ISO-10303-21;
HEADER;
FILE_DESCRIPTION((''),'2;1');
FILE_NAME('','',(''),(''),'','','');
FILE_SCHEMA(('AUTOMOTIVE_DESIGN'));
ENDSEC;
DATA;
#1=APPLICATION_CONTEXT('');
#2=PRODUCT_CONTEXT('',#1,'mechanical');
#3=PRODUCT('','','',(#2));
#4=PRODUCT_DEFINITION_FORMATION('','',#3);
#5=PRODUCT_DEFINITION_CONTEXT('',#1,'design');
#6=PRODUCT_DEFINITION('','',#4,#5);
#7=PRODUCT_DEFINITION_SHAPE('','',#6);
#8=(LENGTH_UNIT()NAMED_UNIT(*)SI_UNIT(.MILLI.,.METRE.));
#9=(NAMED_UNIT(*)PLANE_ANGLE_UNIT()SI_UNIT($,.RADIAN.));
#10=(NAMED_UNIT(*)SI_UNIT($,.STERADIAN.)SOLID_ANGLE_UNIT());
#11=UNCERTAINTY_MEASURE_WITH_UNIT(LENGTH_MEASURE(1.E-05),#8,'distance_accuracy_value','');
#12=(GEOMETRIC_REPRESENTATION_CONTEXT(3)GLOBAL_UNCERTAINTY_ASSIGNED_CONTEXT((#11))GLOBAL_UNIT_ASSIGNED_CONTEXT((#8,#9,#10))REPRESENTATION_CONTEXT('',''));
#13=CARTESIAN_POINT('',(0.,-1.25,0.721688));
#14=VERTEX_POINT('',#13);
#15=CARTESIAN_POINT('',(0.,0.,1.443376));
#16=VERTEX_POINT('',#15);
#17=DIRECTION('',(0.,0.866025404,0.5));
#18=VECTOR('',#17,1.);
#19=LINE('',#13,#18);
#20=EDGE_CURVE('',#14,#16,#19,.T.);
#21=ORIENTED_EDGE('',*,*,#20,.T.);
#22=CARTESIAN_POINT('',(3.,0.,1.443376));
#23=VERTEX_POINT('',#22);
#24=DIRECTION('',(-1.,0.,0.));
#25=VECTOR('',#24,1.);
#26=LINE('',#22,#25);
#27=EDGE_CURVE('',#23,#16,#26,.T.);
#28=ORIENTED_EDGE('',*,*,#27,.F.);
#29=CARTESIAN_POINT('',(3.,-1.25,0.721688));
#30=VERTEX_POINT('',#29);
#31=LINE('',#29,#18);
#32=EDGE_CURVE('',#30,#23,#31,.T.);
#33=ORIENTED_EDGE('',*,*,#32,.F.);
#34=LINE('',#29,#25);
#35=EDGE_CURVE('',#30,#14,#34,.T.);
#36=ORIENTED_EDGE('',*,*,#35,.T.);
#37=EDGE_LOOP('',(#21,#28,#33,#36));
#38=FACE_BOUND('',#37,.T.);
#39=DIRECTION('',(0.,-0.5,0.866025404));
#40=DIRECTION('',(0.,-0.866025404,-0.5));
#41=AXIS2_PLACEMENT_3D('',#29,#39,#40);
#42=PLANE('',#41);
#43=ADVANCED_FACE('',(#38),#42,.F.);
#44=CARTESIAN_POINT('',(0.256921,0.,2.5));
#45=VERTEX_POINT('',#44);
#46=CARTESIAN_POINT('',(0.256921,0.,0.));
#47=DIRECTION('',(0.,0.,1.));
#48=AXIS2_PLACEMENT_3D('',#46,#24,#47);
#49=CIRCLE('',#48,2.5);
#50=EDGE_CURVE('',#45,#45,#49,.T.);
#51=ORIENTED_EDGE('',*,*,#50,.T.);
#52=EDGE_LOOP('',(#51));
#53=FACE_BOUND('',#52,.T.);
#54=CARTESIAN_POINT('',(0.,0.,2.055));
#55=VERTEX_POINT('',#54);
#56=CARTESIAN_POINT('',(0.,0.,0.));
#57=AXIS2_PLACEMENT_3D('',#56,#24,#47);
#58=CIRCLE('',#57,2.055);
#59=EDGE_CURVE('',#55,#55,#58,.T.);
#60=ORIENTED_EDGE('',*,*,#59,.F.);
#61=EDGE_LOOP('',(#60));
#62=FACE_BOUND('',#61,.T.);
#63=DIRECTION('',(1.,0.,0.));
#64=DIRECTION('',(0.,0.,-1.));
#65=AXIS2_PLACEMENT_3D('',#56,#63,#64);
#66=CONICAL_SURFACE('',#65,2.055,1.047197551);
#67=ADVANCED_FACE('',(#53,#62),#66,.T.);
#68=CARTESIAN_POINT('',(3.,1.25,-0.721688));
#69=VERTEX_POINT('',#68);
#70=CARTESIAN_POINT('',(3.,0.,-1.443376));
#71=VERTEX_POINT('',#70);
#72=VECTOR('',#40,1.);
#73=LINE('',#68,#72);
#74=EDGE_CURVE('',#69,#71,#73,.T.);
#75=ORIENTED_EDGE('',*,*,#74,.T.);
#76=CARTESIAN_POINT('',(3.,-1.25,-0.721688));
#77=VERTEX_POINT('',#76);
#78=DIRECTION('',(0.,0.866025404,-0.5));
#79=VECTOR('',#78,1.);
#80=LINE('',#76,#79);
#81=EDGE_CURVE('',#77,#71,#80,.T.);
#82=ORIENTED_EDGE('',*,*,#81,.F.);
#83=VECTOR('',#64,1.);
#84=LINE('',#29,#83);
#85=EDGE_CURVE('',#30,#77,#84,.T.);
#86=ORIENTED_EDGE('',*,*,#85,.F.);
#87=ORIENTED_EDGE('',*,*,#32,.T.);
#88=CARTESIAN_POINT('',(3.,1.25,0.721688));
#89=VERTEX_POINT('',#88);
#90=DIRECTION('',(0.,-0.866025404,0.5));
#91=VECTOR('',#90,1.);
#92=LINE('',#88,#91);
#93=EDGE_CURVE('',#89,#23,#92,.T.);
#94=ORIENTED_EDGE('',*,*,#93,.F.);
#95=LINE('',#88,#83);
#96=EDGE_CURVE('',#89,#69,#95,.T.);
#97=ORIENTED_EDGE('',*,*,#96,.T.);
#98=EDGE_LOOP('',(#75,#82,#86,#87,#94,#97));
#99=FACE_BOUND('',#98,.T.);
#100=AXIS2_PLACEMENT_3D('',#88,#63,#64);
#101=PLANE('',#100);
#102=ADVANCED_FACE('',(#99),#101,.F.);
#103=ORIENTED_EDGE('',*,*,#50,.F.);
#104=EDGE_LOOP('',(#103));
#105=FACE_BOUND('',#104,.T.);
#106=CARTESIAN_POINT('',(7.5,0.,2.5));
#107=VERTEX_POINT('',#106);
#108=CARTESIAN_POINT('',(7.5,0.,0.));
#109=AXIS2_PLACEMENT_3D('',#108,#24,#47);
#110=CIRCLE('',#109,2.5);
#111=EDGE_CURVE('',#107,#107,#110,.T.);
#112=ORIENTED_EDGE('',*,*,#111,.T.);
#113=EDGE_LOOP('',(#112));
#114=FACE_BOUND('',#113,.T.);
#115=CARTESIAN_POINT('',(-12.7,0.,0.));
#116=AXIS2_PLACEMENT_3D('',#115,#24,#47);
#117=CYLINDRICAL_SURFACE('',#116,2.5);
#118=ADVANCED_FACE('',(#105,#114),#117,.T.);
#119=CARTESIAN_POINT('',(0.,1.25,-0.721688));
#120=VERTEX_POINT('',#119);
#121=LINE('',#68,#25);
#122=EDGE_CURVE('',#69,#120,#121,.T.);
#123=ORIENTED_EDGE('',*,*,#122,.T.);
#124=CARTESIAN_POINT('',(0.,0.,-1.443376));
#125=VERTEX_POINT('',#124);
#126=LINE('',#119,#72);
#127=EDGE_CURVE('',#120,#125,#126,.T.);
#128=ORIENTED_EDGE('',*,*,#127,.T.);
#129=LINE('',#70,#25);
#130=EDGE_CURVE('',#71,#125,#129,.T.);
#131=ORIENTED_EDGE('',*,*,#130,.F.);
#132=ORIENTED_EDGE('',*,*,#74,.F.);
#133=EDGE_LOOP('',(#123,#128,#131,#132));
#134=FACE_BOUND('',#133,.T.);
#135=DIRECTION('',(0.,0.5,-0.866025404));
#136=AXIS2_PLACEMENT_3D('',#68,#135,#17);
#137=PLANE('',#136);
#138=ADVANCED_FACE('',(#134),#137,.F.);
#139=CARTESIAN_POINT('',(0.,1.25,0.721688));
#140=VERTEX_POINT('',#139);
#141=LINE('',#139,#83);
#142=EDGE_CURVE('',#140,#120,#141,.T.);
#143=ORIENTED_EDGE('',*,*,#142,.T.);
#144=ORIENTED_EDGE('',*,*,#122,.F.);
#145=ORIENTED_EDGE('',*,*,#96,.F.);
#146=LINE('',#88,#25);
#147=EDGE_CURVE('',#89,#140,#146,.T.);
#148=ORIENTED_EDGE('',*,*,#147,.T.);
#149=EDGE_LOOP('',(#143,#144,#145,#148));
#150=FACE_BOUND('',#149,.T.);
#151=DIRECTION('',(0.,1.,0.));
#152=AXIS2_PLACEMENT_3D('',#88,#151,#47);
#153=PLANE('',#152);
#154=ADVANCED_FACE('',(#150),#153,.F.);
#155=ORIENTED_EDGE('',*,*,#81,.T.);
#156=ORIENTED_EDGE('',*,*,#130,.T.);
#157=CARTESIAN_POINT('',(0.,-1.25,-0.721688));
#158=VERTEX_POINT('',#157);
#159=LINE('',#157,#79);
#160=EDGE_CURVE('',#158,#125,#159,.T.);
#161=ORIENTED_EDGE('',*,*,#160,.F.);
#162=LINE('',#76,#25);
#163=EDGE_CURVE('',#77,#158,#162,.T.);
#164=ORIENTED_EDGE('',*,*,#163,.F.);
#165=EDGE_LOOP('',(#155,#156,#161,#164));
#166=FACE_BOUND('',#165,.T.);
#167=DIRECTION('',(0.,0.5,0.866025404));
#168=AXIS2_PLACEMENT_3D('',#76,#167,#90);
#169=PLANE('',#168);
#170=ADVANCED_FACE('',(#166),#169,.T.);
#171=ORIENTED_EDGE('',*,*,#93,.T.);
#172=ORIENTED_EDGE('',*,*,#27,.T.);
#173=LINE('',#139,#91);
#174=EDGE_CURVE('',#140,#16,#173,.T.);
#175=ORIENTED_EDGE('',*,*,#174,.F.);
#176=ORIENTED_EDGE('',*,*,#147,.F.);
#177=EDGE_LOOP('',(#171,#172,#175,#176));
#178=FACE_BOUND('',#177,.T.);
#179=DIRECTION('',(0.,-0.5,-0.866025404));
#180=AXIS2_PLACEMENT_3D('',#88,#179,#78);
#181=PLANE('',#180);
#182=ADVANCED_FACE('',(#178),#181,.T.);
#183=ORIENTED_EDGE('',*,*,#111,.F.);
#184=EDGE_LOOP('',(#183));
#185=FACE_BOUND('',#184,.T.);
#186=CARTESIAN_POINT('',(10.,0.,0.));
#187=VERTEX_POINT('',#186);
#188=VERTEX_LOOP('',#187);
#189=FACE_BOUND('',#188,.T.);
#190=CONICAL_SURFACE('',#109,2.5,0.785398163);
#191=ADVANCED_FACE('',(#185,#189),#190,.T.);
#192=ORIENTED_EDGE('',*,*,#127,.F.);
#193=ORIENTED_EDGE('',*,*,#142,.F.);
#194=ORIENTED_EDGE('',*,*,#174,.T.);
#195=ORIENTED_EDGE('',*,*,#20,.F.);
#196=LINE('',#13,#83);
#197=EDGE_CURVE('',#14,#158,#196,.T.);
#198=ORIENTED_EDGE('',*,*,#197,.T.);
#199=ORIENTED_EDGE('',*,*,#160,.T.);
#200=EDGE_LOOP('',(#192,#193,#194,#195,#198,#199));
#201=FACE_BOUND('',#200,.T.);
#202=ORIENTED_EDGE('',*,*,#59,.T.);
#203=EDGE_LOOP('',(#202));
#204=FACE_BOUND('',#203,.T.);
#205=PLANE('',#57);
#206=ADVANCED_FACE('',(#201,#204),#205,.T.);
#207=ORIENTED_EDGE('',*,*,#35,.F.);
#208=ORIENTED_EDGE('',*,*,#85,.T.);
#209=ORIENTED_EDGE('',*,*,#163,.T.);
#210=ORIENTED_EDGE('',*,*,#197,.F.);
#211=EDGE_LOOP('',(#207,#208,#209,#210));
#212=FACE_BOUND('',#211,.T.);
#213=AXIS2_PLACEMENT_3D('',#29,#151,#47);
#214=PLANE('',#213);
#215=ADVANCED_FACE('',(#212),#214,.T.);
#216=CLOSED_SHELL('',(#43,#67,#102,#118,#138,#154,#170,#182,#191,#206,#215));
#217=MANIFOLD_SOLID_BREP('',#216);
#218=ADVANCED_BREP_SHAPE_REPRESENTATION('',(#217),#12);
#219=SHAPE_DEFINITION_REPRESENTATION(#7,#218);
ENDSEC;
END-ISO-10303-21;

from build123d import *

# Parameters (mm, degrees)
HEX_2_DEPTH = 3


with BuildPart() as part:
    # BodySke → BaseBody (revolve)
    with BuildSketch(Plane.XY, mode=Mode.PRIVATE) as basebody_sk:
        Polygon((0, 0), (0, 2.055), (0.25692087, 2.5), (7.5, 2.5), (10, 0), align=None)
    revolve(basebody_sk.sketch.rotate(Axis((-12.7, 0, 0), (1, 0, 0)), 90), axis=Axis((-12.7, 0, 0), (1, 0, 0)))

    # Sketch2 → Hex 2 (cut)
    with BuildSketch(Plane.ZY):
        Polygon((0.721687836, 1.25), (-0.721687836, 1.25), (-1.443375673, 0), (-0.721687836, -1.25), (0.721687836, -1.25), (1.443375673, 0), align=None)
    extrude(amount=-HEX_2_DEPTH, mode=Mode.SUBTRACT)


solid = part.part
